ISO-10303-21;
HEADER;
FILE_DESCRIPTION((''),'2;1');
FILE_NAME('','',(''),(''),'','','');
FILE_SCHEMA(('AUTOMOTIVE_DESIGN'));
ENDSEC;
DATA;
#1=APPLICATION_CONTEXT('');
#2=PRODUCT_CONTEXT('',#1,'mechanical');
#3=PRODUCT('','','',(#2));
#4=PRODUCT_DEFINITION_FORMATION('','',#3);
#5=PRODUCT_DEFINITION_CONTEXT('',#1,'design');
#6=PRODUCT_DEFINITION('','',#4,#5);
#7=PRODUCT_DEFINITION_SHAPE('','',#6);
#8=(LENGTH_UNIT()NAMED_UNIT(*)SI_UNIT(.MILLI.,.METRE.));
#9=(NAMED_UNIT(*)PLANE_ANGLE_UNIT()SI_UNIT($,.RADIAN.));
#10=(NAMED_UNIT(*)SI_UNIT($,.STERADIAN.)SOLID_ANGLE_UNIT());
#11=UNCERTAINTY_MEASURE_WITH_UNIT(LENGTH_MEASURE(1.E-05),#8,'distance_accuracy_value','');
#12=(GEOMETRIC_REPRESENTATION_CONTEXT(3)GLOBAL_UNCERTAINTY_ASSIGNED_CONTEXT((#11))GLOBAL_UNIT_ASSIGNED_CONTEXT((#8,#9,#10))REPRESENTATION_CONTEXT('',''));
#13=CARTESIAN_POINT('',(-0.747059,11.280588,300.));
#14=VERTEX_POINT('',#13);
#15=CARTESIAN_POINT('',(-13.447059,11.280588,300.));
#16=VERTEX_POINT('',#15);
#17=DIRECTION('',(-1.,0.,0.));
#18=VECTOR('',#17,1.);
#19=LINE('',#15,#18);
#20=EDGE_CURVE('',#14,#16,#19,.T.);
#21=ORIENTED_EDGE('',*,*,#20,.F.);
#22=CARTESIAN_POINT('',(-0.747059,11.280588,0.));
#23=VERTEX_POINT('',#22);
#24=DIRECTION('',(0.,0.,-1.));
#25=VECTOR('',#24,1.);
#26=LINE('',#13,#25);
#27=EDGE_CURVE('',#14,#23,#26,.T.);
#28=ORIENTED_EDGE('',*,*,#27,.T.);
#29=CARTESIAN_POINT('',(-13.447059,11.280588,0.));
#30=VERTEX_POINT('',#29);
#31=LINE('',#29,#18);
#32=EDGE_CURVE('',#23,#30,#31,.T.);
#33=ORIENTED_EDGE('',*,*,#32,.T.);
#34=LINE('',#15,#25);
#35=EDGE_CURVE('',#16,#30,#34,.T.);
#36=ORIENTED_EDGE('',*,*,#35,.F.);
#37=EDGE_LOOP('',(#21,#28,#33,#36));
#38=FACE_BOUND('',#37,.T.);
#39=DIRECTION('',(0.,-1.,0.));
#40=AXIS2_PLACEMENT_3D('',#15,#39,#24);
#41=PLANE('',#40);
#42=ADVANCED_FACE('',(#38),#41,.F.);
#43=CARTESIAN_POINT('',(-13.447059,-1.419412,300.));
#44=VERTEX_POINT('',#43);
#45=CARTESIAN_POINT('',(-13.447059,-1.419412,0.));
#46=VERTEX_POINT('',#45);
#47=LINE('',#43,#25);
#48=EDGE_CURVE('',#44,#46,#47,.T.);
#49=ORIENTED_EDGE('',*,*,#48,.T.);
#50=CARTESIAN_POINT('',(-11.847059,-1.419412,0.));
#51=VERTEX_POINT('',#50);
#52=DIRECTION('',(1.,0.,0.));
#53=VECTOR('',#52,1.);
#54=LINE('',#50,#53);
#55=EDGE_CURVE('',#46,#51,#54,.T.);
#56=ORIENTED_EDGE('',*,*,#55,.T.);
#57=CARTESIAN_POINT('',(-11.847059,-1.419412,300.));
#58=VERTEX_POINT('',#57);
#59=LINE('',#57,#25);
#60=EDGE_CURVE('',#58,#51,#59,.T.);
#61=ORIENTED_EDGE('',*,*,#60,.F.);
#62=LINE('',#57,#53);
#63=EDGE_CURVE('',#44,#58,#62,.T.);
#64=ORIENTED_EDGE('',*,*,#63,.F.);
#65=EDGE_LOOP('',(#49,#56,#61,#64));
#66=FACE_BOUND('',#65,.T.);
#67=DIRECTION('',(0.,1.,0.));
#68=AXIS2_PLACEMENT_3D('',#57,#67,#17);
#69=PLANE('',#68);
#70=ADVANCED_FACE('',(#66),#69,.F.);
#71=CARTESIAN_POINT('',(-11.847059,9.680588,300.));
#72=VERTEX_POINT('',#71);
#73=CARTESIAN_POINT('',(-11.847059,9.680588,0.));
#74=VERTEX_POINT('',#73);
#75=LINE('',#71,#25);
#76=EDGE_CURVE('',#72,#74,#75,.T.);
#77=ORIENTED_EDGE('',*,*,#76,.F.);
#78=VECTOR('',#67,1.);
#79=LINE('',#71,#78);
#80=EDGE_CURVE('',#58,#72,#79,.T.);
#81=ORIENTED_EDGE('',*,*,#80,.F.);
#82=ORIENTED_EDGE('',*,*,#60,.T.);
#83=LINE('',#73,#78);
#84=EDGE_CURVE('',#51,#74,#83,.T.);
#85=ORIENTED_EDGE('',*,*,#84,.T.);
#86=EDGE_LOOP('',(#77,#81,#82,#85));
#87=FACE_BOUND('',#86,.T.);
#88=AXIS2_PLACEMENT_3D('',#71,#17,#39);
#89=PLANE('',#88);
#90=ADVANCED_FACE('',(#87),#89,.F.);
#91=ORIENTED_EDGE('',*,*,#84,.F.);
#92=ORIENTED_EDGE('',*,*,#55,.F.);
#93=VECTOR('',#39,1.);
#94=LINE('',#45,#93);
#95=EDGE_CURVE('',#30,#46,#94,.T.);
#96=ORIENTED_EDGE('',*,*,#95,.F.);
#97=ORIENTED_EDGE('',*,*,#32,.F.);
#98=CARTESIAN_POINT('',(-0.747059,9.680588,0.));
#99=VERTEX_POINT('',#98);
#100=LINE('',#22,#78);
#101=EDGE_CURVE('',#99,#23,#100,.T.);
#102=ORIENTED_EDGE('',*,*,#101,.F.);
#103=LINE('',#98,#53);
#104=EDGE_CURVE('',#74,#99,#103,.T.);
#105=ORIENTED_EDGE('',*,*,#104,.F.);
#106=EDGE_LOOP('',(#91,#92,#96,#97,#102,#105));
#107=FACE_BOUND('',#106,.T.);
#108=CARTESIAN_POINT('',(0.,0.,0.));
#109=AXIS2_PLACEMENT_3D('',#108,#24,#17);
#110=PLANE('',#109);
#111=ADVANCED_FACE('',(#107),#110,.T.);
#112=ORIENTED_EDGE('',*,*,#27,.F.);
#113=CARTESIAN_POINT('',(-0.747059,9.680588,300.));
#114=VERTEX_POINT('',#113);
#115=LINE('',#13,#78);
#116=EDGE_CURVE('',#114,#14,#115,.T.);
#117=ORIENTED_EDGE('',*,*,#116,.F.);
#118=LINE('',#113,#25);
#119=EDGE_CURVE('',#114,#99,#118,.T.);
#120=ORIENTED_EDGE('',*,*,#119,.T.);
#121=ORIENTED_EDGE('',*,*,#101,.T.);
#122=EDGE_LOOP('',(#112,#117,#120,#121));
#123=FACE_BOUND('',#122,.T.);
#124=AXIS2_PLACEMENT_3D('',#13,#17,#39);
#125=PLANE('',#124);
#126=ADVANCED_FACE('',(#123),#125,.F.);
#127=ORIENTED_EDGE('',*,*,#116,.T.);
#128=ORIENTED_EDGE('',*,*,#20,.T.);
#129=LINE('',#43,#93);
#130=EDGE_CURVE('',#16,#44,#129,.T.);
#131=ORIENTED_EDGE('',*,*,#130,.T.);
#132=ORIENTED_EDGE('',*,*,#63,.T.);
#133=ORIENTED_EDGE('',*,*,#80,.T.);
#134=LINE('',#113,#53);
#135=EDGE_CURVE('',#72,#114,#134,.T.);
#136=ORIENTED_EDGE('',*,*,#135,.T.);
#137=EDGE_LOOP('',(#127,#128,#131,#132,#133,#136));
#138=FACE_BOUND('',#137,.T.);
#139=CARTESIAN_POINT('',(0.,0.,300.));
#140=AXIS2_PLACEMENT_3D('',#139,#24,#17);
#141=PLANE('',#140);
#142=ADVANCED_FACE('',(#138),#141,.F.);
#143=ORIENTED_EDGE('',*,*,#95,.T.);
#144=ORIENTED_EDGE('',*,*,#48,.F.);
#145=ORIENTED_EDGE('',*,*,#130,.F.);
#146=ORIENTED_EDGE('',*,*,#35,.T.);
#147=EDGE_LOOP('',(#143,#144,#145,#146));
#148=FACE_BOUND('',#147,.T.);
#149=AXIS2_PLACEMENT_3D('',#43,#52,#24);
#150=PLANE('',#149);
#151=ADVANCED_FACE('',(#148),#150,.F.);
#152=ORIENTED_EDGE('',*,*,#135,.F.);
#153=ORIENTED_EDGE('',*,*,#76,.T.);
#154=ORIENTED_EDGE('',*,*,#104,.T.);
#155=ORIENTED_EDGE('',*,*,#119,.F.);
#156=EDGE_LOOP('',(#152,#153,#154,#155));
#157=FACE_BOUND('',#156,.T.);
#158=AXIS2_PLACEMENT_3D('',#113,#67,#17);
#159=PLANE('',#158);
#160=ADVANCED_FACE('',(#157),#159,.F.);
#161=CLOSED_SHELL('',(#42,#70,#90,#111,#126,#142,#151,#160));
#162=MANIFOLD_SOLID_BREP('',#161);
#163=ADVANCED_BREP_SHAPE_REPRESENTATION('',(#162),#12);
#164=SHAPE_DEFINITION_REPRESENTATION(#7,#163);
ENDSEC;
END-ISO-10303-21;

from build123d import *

# Parameters (mm, degrees)
BOSS_EXTRUDE1_DEPTH = 300


with BuildPart() as part:
    # Sketch1 → Boss-Extrude1 (new body)
    with BuildSketch(Plane.XY):
        Polygon((-13.447058824, 11.280588235), (-0.747058824, 11.280588235), (-0.747058824, 9.680588235), (-11.847058824, 9.680588235), (-11.847058824, -1.419411765), (-13.447058824, -1.419411765), align=None)
    extrude(amount=BOSS_EXTRUDE1_DEPTH)


solid = part.part
